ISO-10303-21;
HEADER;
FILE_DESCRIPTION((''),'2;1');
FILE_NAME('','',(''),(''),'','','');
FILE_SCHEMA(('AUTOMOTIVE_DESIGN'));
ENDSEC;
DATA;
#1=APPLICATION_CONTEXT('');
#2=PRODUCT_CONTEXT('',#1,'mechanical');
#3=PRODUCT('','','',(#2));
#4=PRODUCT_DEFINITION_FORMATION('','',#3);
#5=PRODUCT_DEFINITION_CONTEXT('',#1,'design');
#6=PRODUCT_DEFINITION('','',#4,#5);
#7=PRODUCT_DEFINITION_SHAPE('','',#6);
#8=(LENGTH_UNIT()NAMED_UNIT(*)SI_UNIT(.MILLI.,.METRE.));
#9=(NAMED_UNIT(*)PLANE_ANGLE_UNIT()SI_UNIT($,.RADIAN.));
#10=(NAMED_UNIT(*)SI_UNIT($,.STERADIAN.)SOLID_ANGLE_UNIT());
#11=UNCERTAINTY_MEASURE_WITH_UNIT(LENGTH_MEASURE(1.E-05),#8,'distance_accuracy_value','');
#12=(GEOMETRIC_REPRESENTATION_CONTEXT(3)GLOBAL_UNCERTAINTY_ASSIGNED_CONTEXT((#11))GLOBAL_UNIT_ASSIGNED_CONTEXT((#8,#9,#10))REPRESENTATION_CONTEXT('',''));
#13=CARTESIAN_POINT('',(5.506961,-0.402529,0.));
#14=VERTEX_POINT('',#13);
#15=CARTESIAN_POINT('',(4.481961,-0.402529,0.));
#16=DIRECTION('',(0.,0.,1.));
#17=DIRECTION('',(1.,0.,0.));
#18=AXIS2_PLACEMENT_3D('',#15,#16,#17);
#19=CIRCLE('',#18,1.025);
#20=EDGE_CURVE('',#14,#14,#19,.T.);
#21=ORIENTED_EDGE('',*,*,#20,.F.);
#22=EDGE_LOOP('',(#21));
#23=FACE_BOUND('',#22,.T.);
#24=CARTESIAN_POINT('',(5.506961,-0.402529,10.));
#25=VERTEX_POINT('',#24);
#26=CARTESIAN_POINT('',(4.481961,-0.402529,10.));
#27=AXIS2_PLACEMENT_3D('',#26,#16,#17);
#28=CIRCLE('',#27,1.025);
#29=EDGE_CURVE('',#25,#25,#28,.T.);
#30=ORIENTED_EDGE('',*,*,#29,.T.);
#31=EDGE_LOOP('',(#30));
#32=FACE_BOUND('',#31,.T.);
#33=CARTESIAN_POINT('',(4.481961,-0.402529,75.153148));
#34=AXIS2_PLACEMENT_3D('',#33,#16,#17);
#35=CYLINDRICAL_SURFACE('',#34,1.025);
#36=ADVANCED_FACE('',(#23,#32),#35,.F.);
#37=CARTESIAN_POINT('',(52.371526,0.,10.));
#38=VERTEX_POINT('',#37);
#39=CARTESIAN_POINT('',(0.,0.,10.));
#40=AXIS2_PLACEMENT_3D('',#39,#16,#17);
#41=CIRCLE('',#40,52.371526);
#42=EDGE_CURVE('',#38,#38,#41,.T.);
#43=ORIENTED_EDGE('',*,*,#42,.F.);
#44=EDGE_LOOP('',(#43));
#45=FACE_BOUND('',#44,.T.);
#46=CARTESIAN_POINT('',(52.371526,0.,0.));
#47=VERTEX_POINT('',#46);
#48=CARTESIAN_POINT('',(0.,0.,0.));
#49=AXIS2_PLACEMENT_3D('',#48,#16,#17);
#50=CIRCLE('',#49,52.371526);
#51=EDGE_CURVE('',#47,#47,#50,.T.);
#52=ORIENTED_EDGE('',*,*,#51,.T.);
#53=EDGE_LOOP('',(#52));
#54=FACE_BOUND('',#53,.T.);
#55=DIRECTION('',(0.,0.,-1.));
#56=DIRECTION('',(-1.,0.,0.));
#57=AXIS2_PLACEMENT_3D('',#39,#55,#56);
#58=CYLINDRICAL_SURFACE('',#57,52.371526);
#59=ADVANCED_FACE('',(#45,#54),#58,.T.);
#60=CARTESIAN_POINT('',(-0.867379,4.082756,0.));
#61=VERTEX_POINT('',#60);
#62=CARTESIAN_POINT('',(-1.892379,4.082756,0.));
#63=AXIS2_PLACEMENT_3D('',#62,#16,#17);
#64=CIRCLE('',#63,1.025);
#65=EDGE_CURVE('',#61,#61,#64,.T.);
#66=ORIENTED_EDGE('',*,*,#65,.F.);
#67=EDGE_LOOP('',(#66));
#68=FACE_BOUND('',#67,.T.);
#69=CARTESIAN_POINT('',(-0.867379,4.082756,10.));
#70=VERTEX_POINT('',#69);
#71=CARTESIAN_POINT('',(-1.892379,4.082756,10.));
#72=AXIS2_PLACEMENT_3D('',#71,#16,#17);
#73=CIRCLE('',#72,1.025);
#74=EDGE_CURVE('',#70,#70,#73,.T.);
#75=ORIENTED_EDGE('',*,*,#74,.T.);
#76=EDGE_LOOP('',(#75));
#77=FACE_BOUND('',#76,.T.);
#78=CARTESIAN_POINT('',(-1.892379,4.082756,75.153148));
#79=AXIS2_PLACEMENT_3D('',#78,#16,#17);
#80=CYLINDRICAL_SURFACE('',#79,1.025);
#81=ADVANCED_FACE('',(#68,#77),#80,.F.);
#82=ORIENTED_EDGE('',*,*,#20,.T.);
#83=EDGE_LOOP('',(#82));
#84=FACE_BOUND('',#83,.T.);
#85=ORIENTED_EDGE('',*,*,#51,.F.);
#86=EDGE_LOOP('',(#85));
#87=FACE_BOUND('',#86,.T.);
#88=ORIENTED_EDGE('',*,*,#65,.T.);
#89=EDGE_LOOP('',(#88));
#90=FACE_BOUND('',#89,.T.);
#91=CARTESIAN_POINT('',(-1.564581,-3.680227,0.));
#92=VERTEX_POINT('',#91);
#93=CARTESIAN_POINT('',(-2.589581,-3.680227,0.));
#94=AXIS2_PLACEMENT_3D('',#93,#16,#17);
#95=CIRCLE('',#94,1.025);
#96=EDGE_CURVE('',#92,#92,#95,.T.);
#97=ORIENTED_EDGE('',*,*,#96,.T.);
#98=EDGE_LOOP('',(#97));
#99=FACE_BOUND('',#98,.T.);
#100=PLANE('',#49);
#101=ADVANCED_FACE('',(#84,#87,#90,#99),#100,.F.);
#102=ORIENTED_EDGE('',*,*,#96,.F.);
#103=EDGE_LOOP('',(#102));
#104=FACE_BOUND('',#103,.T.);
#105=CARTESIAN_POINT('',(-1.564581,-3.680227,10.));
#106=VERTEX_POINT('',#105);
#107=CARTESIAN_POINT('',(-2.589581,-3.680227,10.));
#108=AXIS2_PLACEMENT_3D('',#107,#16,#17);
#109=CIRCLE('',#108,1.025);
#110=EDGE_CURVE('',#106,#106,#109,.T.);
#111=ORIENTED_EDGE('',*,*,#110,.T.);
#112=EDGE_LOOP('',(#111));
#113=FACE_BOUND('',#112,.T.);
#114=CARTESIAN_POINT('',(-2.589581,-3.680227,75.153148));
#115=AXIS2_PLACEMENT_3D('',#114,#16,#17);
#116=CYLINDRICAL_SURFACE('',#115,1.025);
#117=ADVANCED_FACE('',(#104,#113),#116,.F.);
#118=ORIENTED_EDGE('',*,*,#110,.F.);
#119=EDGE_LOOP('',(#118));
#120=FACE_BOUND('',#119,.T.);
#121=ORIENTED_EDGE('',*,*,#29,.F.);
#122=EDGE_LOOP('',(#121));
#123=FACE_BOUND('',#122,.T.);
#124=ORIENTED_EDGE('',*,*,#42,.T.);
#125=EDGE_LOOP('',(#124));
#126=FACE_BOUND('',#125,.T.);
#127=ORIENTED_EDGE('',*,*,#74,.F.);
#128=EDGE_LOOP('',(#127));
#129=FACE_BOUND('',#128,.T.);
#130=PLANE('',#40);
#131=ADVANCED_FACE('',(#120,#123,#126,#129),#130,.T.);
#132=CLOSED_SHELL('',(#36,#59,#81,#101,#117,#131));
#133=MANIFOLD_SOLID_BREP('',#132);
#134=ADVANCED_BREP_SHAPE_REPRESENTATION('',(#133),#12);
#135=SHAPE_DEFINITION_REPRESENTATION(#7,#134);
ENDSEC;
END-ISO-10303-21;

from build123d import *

# Parameters (mm, degrees)
SKETCH1_R                    = 52.37152557
BOSS_EXTRUDE1_DEPTH          = 10
F_2_05_2_05_DIAMETER_HOLE1_D = 2.05


with BuildPart() as part:
    # Sketch1 → Boss-Extrude1 (new body)
    with BuildSketch(Plane.XY):
        Circle(SKETCH1_R)
    extrude(amount=BOSS_EXTRUDE1_DEPTH)

    # Ø2.05 (2.05) Diameter Hole1 (through all)
    with Locations(Plane(origin=(-27.965211852, -165.986714684, 75.15314796), x_dir=(1, 0, 0), z_dir=(0, 0, 1))):
        with Locations((32.447172363, 165.584185204), (25.375630841, 162.306487764), (26.072832352, 170.069471085)):
            Hole(F_2_05_2_05_DIAMETER_HOLE1_D / 2)


solid = part.part
